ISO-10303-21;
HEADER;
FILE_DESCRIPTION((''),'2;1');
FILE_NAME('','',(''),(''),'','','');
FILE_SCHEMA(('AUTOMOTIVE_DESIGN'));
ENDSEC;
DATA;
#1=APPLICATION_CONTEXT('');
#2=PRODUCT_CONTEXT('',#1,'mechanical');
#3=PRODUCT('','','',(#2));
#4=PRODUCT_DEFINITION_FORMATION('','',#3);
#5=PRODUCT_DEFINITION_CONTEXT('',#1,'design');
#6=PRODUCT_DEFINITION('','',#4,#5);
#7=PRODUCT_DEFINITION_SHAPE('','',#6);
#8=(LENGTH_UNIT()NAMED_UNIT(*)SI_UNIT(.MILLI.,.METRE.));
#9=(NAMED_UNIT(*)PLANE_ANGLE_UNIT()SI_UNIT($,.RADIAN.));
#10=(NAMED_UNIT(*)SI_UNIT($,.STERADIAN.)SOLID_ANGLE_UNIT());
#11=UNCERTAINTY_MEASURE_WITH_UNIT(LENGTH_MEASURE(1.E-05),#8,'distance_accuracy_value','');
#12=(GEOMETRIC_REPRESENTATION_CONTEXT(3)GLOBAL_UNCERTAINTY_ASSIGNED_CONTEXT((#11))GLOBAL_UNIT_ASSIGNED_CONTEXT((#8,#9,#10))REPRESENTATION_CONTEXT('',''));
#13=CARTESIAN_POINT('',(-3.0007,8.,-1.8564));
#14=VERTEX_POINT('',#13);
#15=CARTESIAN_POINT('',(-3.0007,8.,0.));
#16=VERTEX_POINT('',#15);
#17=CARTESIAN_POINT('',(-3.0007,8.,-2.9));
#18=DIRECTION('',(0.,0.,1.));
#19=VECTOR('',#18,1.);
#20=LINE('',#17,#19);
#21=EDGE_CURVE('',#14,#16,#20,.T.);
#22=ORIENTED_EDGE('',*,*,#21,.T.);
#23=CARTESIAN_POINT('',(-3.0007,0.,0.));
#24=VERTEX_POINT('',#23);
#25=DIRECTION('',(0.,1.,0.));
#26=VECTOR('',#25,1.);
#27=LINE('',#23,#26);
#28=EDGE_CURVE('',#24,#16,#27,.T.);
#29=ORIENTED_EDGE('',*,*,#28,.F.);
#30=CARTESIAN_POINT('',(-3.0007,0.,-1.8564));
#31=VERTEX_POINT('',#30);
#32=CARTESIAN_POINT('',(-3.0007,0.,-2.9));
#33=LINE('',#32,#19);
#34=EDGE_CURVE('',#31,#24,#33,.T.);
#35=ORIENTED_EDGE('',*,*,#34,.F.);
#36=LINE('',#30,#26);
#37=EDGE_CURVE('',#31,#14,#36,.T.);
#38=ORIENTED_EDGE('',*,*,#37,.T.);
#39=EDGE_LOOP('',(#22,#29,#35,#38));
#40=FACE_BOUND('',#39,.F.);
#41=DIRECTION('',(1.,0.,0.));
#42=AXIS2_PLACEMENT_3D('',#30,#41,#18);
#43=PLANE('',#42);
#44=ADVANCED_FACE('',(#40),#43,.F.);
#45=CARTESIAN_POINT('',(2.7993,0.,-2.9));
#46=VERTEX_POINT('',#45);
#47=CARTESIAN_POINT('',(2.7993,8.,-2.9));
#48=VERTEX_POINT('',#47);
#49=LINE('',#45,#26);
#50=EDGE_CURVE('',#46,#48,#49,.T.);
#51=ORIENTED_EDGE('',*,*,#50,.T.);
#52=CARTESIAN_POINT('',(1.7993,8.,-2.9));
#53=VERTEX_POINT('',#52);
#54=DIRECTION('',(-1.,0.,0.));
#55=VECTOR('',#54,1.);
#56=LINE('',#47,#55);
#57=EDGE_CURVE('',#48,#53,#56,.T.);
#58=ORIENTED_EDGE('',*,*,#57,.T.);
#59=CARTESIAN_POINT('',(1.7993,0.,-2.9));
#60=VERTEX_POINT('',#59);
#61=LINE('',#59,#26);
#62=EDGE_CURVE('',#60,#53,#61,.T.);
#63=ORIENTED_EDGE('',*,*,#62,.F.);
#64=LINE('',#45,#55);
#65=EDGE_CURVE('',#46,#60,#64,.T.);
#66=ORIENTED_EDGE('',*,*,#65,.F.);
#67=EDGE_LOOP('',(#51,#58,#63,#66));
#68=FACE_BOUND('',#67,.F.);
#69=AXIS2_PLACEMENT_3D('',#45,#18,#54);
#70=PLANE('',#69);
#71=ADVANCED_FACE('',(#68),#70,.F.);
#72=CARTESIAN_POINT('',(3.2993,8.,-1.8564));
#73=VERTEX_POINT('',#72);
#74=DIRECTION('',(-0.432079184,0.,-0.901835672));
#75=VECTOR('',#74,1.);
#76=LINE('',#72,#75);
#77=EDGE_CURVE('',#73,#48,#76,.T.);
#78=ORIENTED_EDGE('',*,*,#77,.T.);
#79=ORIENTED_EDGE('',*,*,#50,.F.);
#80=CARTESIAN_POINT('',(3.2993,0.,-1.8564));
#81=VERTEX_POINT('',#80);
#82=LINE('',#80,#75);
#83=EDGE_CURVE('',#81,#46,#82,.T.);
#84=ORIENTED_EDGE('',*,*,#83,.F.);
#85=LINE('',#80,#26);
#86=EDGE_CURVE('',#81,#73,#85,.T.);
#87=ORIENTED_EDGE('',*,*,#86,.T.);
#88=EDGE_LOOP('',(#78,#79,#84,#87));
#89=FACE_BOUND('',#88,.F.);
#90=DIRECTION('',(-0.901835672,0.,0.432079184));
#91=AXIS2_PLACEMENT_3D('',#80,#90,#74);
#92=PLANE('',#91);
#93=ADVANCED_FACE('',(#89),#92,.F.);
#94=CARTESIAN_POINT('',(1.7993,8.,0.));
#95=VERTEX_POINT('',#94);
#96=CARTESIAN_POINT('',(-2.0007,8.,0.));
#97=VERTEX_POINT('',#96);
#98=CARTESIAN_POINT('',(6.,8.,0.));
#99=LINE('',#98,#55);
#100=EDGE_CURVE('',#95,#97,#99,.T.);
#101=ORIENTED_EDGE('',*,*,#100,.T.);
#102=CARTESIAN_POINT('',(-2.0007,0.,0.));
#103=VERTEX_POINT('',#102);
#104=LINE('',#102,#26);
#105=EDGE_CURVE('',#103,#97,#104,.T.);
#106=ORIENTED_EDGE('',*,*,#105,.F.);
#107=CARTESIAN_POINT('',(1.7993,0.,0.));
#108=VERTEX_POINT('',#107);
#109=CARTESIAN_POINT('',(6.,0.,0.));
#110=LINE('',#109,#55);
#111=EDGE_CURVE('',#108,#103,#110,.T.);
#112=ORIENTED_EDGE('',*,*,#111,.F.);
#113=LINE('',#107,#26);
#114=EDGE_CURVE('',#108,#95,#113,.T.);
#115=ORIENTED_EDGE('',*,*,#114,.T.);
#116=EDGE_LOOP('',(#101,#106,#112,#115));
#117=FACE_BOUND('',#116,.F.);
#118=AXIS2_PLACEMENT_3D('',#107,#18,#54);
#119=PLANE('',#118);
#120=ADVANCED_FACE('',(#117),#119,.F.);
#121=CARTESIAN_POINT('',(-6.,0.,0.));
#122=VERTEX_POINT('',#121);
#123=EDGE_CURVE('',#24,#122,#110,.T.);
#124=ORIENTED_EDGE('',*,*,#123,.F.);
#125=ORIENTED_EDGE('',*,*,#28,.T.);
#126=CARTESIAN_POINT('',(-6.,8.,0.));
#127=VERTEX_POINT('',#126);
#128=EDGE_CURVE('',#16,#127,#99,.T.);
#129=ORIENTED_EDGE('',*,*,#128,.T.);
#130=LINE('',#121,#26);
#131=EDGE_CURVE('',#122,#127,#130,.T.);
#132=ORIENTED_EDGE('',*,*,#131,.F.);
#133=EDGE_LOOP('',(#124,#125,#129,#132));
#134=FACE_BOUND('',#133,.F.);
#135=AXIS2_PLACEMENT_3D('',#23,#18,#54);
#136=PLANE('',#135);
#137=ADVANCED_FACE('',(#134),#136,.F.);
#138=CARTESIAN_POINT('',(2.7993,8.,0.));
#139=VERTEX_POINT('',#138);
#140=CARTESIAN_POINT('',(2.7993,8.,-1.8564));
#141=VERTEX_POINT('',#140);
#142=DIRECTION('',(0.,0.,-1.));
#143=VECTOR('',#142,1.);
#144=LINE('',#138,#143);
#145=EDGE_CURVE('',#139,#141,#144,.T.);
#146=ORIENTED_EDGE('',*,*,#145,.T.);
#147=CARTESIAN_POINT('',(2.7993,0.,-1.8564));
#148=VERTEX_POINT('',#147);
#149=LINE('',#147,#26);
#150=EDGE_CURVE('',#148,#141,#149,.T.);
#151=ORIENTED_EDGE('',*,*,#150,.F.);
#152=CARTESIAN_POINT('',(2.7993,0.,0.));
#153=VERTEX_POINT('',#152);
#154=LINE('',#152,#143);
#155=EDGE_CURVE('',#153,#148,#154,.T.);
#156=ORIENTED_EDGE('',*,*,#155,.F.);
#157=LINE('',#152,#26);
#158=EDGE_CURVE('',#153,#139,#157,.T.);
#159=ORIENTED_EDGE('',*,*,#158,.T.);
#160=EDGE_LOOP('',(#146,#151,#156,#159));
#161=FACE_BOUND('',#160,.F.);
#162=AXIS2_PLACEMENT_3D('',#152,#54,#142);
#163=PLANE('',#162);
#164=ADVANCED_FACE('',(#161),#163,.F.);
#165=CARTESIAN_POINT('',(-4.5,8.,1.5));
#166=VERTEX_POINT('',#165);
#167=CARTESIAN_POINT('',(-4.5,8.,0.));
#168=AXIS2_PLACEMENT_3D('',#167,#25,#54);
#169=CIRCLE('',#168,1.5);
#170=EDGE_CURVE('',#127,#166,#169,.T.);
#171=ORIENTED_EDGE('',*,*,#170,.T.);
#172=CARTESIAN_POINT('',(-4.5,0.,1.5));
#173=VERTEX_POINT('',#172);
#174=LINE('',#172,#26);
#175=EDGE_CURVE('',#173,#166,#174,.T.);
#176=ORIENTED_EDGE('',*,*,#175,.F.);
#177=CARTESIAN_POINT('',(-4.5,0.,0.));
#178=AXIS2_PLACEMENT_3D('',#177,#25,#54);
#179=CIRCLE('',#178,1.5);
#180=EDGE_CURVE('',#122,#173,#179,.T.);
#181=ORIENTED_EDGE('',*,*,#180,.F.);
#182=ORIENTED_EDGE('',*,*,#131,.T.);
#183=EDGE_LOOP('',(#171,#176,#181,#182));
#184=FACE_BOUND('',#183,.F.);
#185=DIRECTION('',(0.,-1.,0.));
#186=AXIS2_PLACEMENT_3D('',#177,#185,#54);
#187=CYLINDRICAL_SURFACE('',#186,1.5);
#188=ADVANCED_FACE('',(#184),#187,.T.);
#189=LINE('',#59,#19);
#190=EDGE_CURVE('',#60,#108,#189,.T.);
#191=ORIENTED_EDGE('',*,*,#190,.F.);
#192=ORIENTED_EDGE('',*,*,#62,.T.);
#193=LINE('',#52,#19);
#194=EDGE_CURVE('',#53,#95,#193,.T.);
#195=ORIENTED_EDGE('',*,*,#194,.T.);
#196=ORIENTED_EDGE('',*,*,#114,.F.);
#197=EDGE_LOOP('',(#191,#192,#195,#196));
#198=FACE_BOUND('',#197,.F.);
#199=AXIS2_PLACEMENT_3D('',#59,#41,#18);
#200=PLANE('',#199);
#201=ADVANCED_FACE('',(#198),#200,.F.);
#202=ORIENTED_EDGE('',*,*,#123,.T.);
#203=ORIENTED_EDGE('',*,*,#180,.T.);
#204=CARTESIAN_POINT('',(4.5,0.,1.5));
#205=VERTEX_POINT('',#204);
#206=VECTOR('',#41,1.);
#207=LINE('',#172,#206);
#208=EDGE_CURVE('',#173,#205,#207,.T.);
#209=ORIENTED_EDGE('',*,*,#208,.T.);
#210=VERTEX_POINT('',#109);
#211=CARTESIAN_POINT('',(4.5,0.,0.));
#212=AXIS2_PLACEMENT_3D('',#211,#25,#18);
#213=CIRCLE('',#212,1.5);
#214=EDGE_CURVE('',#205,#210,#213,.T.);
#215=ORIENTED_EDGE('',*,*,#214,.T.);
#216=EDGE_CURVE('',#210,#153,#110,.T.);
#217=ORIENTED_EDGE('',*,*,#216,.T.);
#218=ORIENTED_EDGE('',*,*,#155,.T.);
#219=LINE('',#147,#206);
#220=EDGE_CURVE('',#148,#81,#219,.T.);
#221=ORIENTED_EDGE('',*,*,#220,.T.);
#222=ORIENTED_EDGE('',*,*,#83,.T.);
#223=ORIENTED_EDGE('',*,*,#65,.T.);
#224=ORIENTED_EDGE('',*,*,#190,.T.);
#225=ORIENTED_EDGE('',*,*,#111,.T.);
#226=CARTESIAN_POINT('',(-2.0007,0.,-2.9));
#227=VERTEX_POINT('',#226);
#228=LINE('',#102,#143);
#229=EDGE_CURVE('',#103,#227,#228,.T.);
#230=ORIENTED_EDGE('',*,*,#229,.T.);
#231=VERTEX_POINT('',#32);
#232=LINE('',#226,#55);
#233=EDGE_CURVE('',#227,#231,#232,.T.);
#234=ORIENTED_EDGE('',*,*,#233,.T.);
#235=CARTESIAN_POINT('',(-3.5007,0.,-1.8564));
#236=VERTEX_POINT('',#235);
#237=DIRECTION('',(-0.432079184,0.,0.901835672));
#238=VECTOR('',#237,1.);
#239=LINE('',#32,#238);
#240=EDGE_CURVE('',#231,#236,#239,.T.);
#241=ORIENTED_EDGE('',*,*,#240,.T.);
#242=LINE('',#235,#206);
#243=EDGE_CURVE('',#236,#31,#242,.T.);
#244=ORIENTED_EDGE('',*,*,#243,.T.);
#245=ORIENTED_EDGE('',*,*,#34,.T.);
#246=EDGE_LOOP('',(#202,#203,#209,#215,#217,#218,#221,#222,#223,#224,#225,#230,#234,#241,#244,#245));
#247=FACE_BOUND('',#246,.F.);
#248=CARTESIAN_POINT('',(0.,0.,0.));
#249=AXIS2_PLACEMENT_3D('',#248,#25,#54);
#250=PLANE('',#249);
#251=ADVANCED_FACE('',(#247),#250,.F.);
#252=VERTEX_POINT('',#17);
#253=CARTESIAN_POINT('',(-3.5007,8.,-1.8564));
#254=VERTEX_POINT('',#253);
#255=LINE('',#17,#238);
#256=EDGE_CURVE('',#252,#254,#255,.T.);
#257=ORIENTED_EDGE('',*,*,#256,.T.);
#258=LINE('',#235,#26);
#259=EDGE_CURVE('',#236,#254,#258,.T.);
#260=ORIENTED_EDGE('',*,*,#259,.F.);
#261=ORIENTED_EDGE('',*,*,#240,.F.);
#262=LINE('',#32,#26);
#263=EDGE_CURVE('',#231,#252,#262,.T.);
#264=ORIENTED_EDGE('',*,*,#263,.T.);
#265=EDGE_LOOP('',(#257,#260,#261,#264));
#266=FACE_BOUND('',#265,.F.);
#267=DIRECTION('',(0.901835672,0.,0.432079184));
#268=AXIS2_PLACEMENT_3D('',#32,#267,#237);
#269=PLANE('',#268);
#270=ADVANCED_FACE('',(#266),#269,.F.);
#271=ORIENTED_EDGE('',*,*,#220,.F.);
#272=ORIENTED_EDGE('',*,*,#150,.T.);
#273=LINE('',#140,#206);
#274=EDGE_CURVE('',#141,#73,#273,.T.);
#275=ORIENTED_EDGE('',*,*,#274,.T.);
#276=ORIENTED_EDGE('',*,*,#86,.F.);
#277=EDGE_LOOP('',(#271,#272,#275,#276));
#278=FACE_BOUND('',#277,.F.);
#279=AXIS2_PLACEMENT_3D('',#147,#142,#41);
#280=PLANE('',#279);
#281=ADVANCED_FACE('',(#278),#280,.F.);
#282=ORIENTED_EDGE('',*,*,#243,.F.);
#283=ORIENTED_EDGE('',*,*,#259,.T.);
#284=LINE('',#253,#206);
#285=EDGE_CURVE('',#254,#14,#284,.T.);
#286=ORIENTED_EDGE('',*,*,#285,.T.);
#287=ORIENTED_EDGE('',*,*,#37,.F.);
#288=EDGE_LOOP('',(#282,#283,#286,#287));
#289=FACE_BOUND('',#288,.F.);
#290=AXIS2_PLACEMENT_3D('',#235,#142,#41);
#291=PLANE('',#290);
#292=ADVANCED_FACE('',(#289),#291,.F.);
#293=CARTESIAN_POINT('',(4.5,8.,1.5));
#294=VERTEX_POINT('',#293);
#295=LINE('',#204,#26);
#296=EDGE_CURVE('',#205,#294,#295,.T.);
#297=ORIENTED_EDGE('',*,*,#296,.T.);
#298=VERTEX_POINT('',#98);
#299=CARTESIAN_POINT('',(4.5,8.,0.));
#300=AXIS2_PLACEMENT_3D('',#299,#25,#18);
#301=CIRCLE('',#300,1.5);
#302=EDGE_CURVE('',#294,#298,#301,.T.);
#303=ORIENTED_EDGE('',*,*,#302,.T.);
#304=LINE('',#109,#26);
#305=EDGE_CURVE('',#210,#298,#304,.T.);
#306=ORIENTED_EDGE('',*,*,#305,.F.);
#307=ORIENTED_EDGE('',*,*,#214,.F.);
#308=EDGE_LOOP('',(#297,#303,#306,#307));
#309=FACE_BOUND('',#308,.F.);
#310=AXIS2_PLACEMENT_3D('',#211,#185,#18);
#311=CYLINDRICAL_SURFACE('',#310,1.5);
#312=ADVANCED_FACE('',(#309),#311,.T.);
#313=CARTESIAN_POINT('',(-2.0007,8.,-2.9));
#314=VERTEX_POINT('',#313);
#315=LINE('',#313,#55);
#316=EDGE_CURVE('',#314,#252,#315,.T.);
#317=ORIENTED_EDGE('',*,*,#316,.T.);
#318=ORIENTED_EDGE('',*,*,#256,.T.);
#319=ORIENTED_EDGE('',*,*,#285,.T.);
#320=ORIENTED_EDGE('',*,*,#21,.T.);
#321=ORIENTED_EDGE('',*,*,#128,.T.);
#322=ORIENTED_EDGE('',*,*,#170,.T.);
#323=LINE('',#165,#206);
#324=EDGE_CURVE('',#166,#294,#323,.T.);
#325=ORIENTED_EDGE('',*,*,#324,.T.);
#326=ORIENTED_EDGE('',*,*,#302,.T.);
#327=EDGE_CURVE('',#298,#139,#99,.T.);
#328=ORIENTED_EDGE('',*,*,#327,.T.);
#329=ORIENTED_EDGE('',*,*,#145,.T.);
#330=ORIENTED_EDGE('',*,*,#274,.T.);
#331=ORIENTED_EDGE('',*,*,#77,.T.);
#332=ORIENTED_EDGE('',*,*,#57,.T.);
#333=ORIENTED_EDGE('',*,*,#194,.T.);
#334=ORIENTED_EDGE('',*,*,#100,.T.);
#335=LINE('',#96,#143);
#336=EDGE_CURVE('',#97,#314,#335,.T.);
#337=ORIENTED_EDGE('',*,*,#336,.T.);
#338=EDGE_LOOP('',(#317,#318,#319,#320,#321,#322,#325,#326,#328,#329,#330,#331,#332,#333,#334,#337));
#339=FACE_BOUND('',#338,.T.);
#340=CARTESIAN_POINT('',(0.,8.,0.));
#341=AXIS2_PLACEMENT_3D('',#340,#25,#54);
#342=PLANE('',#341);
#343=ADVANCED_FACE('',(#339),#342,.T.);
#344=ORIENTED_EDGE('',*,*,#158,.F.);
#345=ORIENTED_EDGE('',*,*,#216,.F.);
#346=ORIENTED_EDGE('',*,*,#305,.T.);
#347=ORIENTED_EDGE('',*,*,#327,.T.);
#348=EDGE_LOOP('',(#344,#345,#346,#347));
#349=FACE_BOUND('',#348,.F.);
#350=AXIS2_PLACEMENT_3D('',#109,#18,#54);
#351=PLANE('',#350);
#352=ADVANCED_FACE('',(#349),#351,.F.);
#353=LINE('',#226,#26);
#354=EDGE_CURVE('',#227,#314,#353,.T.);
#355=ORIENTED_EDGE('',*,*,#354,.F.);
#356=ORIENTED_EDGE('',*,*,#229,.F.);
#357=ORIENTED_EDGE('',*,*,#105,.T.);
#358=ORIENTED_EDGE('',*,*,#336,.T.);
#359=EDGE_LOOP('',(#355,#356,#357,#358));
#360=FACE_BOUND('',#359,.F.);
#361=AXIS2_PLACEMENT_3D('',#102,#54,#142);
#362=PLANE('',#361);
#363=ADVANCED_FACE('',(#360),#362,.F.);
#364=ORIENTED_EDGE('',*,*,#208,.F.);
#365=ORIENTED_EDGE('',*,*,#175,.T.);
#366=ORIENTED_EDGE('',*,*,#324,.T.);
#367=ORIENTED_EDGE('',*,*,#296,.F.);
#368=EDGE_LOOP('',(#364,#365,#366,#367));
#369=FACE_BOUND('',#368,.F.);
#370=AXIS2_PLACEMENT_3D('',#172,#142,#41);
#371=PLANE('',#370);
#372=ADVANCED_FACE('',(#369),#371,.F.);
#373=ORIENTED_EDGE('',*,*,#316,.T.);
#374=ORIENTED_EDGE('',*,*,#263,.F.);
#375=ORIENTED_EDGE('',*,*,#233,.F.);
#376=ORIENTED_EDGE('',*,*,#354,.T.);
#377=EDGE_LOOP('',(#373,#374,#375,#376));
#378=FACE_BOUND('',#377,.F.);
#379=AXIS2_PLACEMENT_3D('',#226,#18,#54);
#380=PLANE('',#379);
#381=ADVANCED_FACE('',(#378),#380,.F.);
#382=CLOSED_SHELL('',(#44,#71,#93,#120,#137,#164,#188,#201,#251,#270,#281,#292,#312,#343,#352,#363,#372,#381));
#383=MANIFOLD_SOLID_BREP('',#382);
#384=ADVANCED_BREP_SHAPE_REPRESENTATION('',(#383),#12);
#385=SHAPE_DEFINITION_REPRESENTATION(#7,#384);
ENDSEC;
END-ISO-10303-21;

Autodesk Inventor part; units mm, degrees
ref_plane "YZ Plane" through (0, 0, 0) normal (1, 0, 0) x (0, 1, 0)
ref_plane "XZ Plane" through (0, 0, 0) normal (0, 1, 0) x (-1, 0, 0)
ref_plane "XY Plane" through (0, 0, 0) normal (0, 0, 1) x (1, 0, 0)
sketch "Skizze1" plane through (0, 0, 0) normal (0, 1, 0) x (-1, 0, 0)
  line L0 (-6, 0) -> (6, 0)
  arc A0 (-4.5, 1.5) -> (-6, 0) centre (-4.5, 0) ccw
  line L1 (4.5, 1.5) -> (-4.5, 1.5)
  arc A1 (6, 0) -> (4.5, 1.5) centre (4.5, 0) ccw
  line L2 (3.0007, -2.9) -> (3.0007, 0)
  line L3 (2.0007, 0) -> (2.0007, -2.9)
  line L4 (2.0007, -2.9) -> (3.0007, -2.9)
  line L5 (3.0007, -2.9) -> (3.5007, -1.8564)
  line L6 (3.5007, -1.8564) -> (3.0007, -1.8564)
  line L7 (-1.7993, -2.9) -> (-1.7993, 0)
  line L8 (-2.7993, 0) -> (-2.7993, -2.9)
  line L9 (-2.7993, -2.9) -> (-1.7993, -2.9)
  line L10 (-3.2993, -1.8564) -> (-2.7993, -2.9)
  line L11 (-2.7993, -1.8564) -> (-3.2993, -1.8564)
  point P0 (0, 0)
  point P1 (0, 0)
  dimension "d0" = 3
  dimension "d1" = 3
  dimension "d2" = 1
  dimension "d3" = 1
  dimension "d4" = 154.4
  dimension "d5" = 154.4
  dimension "d7" = 0.5
  dimension "d8" = 3.8
  dimension "d9" = 2.9
  dimension "d10" = 9
  dimension "d12" = 5.8
  dimension "d13" = 0.5
  dimension "d14" = 2.9
  dimension "d15" = 4.5
  dimension "d16" = 0
extrude "Extrusion1" add sketch "Skizze1" along normal blind 8
equation "\"d1\" = d0"
equation "\"d3\" = d2"
equation "\"d5\" = d4"
equation "\"d13\" = d7"
equation "\"d15\" = 0.5 * d10"
properties part number "Misumi_Cable_Clip"
